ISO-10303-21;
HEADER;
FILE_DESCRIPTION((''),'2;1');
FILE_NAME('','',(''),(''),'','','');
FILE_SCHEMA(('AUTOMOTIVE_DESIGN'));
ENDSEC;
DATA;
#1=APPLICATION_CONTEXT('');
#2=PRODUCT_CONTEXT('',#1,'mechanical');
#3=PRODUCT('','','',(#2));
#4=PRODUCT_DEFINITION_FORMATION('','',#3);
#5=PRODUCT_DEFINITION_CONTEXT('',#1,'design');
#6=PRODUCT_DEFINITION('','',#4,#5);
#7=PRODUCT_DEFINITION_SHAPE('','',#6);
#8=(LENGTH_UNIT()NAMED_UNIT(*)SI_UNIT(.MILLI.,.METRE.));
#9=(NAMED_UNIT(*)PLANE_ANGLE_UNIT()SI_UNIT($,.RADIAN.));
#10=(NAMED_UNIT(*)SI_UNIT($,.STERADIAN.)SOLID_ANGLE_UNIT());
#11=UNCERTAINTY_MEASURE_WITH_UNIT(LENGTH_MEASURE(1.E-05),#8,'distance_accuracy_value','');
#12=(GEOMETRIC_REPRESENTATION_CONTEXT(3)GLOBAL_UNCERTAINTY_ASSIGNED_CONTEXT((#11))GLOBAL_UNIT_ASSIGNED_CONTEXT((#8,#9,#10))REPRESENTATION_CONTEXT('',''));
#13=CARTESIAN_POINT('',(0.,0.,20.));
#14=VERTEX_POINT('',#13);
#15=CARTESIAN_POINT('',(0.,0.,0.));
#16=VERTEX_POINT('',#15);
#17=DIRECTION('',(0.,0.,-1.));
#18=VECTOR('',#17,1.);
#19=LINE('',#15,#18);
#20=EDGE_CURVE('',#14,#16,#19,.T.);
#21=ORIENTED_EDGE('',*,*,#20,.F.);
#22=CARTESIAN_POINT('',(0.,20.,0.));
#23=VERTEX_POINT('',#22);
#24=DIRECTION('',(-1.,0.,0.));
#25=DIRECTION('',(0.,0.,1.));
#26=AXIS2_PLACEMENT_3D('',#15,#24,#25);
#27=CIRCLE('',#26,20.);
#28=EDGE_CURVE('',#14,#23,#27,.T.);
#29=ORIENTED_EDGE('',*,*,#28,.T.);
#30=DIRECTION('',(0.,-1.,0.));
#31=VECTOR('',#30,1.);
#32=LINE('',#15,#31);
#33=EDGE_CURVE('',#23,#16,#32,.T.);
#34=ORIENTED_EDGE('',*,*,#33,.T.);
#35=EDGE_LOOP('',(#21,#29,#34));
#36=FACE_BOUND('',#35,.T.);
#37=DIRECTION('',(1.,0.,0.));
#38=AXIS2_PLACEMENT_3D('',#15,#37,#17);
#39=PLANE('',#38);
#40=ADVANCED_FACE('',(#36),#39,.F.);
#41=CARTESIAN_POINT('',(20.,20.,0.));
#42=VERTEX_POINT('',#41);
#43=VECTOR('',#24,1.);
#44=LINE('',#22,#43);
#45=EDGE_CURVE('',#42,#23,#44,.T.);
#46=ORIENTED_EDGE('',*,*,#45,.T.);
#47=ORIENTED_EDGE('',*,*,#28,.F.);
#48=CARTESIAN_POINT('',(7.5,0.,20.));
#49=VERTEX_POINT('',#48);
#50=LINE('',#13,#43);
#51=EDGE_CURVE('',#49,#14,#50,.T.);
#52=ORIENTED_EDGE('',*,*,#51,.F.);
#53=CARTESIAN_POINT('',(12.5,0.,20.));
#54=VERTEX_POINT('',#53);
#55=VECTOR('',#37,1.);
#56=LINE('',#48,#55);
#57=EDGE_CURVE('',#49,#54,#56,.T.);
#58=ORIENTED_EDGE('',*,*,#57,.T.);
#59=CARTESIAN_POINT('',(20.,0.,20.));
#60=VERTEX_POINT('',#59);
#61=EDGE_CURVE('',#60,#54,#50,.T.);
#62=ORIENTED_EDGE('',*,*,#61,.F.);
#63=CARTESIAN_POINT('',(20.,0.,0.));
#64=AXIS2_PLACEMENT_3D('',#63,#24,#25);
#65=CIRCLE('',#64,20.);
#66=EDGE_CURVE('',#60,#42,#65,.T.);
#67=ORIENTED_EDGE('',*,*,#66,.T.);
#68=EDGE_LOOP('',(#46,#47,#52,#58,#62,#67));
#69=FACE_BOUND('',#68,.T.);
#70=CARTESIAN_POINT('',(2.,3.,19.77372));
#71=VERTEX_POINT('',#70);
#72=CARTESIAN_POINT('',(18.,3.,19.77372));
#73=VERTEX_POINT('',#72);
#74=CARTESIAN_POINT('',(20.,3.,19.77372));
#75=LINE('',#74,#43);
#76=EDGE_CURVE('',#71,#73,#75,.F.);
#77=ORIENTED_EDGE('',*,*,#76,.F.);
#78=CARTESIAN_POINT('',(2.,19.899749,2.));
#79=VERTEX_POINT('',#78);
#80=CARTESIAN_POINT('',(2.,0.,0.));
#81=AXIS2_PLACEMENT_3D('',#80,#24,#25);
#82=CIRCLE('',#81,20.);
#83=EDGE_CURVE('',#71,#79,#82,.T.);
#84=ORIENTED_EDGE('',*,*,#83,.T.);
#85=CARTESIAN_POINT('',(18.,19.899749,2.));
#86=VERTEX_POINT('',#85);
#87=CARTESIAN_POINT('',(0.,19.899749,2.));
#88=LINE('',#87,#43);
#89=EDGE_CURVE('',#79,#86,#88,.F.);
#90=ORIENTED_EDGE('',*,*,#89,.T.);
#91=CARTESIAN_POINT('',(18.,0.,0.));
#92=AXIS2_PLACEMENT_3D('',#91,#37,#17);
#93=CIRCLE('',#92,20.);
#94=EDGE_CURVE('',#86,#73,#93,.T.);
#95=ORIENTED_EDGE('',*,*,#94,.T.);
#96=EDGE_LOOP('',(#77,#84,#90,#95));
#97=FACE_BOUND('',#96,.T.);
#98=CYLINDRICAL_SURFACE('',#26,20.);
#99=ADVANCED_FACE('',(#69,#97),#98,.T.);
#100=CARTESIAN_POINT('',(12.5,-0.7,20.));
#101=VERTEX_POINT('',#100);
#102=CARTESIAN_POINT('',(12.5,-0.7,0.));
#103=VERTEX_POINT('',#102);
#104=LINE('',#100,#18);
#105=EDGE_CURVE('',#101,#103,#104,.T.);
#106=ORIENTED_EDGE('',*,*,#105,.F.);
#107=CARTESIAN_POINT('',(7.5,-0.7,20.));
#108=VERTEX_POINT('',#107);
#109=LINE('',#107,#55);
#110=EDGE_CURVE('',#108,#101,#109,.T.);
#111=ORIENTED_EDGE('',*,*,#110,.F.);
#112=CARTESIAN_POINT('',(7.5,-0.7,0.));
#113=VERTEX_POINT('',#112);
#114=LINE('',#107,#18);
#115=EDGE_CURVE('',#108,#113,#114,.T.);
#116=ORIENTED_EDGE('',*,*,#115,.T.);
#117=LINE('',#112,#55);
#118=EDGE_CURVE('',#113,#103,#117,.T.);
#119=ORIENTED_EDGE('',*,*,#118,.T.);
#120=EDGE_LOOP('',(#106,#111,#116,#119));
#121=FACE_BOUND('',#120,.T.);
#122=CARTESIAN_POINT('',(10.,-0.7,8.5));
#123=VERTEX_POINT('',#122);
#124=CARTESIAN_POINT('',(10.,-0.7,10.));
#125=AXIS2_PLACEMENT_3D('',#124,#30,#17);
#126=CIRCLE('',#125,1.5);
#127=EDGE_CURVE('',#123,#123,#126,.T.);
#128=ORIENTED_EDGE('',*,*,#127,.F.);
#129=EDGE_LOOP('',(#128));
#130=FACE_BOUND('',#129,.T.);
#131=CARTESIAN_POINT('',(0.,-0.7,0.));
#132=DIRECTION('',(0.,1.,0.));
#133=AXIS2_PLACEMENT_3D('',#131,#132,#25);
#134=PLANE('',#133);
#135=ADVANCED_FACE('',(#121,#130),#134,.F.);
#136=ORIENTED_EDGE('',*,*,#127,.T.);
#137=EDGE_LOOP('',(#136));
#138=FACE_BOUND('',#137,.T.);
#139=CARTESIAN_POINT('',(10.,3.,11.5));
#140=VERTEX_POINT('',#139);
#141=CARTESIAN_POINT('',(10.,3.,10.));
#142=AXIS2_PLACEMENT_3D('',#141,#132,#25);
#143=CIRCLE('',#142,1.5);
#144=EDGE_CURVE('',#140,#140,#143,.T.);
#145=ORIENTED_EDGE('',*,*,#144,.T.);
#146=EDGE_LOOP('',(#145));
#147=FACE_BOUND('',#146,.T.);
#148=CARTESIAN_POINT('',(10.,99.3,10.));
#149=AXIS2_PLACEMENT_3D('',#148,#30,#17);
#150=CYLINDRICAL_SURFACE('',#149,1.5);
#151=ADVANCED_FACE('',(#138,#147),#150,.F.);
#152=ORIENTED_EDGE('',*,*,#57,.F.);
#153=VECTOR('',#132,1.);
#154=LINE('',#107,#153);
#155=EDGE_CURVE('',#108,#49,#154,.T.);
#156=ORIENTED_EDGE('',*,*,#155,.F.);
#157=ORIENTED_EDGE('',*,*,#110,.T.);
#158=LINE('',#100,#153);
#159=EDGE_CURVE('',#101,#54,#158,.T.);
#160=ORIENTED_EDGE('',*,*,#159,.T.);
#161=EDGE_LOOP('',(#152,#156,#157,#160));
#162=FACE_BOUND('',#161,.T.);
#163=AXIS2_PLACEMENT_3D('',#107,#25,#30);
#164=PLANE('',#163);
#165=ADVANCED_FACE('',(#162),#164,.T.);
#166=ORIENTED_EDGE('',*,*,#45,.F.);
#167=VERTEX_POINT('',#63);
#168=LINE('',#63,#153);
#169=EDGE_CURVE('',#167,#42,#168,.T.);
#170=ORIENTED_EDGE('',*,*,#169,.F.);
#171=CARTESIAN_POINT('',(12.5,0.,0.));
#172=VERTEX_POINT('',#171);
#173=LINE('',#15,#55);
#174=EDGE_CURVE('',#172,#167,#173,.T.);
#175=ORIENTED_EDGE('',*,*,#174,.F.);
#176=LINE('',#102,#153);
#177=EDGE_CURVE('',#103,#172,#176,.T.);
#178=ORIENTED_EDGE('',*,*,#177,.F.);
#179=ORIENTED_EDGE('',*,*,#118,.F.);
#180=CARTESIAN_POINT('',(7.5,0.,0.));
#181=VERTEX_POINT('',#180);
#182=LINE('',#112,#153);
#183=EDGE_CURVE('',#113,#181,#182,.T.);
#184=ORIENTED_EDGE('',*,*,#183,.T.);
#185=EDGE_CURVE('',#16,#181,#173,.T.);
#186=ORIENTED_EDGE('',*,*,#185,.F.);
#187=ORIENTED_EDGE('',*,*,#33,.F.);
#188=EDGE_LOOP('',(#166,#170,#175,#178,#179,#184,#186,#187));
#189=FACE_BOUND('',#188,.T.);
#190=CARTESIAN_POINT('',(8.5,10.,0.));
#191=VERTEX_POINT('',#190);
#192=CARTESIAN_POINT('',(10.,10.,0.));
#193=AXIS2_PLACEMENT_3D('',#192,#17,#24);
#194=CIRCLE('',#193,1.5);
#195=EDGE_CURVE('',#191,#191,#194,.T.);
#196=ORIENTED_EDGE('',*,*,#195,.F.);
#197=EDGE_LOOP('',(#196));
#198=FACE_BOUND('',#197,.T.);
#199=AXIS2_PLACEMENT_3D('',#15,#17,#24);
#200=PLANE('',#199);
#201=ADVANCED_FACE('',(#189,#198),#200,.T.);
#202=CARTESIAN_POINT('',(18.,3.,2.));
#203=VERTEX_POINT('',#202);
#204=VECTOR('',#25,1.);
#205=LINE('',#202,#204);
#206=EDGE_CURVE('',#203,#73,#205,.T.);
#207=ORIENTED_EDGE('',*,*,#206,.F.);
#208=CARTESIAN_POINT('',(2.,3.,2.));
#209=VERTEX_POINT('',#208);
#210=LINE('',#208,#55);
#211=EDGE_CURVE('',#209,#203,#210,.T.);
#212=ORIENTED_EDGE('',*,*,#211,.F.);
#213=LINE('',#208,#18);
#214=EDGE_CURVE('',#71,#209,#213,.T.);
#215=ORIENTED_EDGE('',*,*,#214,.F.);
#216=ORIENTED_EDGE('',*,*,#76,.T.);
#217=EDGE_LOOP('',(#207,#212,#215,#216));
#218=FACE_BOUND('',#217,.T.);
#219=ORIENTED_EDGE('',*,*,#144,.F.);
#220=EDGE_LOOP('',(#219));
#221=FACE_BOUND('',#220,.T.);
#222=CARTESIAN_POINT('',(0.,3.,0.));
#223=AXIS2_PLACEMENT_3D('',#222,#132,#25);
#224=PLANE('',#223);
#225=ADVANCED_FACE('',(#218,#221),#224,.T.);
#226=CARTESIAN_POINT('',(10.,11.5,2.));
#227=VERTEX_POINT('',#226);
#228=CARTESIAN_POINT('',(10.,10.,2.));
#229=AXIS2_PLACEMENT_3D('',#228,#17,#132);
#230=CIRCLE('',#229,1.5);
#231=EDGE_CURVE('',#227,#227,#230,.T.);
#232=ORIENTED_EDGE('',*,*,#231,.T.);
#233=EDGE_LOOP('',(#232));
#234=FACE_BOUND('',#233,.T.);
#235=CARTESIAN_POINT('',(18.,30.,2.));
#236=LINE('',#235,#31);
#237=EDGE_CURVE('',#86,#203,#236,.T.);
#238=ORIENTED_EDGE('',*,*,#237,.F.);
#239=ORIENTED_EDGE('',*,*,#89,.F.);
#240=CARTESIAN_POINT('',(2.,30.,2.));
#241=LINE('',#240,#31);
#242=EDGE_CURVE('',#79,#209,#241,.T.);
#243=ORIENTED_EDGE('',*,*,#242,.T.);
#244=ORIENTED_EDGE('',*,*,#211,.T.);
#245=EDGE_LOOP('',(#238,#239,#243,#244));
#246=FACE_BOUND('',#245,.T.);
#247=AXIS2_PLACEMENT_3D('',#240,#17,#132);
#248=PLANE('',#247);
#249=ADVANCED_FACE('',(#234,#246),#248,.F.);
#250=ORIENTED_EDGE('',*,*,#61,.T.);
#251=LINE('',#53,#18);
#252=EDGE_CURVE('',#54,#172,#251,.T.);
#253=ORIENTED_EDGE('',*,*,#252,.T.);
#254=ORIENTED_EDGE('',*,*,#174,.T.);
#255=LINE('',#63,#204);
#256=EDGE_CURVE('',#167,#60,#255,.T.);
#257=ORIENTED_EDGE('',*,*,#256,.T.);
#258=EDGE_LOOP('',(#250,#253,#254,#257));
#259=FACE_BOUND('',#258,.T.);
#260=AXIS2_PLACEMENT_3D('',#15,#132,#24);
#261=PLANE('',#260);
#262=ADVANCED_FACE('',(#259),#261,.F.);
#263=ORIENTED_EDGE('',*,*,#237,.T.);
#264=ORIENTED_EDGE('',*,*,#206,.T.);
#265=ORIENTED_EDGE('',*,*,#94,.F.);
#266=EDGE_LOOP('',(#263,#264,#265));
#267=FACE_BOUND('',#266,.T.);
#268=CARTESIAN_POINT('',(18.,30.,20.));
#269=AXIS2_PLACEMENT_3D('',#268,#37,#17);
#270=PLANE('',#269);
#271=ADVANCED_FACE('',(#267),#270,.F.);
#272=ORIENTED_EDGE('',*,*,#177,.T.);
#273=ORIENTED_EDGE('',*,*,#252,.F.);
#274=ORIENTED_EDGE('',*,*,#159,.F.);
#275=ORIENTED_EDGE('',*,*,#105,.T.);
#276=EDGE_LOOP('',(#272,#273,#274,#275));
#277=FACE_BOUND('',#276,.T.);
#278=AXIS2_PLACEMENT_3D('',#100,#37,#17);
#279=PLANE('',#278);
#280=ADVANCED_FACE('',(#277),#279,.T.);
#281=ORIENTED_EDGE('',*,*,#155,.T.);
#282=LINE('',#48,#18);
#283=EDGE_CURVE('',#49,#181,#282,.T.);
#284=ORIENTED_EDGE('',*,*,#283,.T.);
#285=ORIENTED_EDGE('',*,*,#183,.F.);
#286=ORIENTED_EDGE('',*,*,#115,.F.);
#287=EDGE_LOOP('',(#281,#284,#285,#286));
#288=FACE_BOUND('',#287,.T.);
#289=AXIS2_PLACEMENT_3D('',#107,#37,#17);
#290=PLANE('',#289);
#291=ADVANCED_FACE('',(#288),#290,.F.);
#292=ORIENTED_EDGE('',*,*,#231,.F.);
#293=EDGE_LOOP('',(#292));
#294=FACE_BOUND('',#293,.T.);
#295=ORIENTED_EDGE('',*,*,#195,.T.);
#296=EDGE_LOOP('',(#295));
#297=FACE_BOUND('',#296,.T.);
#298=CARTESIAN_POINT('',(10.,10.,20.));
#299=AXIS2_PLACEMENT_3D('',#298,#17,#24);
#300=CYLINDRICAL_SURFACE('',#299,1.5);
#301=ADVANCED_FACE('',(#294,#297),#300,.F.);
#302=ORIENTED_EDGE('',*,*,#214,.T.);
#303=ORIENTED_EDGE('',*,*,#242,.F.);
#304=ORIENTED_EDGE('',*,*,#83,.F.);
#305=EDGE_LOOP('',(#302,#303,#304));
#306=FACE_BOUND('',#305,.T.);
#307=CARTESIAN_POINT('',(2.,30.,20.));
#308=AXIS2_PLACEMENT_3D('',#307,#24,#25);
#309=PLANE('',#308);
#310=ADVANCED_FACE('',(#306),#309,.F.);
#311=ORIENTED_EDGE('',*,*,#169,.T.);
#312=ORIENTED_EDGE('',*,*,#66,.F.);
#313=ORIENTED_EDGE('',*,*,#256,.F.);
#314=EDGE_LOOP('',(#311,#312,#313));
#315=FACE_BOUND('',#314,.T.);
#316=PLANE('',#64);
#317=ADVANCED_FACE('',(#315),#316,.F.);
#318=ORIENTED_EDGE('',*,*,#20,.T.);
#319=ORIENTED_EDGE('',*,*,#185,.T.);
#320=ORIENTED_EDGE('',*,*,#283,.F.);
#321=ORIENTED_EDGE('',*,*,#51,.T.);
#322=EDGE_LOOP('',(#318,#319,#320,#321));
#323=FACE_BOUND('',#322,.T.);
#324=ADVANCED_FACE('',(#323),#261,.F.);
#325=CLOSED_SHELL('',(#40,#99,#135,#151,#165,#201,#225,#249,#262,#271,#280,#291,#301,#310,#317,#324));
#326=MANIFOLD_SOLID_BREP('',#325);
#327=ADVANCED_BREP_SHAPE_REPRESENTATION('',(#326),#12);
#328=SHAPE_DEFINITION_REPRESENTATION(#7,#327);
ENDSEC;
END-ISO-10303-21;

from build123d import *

# Parameters (mm, degrees)
SKETCH_1_W          = 20
SKETCH_1_H          = 20
REVOLVE_1_ANGLE     = 90
SKETCH_2_W          = 16
SKETCH_2_H          = 18
CUT_EXTRUDE_1_DEPTH = 30
SKETCH_3_W          = 16
SKETCH_3_H          = 18
EXTRUDE_1_DEPTH     = 3
SKETCH_4_R          = 21
SKETCH_4_R_2        = 20
CUT_EXTRUDE_2_DEPTH = 35.641016151
SKETCH_5_R          = 1.5
CUT_EXTRUDE_3_DEPTH = 35.641016151
SKETCH_6_W          = 5
SKETCH_6_H          = 20
EXTRUDE_2_DEPTH     = 0.7
SKETCH_7_R          = 1.5
CUT_EXTRUDE_4_DEPTH = 100


with BuildPart() as part:
    # Эскиз1 → Повернуть1 (revolve)
    with BuildSketch(Plane.XY):
        with Locations((10, 10)):
            Rectangle(SKETCH_1_W, SKETCH_1_H)
    revolve(axis=Axis((0, 0, 0), (1, 0, 0)), revolution_arc=REVOLVE_1_ANGLE)

    # Эскиз2 → Вырез-Вытянуть1 (cut)
    with BuildSketch(Plane.XZ):
        with Locations((10, 11)):
            Rectangle(SKETCH_2_W, SKETCH_2_H)
    extrude(amount=-CUT_EXTRUDE_1_DEPTH, mode=Mode.SUBTRACT)

    # Эскиз3 → Бобышка-Вытянуть1 (add)
    with BuildSketch(Plane.XZ):
        with Locations((10, 11)):
            Rectangle(SKETCH_3_W, SKETCH_3_H)
    extrude(amount=-EXTRUDE_1_DEPTH)

    # Эскиз4 → Вырез-Вытянуть2 (cut, through all)
    with BuildSketch(Plane.ZY):
        Circle(SKETCH_4_R)
        Circle(SKETCH_4_R_2, mode=Mode.SUBTRACT)
    extrude(amount=-CUT_EXTRUDE_2_DEPTH, mode=Mode.SUBTRACT)

    # Эскиз5 → Вырез-Вытянуть3 (cut, through all)
    with BuildSketch(Plane(origin=(0, 0, 0), x_dir=(-1, 0, 0), z_dir=(0, 0, -1))):
        with Locations((-10, 10)):
            Circle(SKETCH_5_R)
    extrude(amount=-CUT_EXTRUDE_3_DEPTH, mode=Mode.SUBTRACT)

    # Эскиз6 → Бобышка-Вытянуть2 (add)
    with BuildSketch(Plane.XZ):
        with Locations((10, 10)):
            Rectangle(SKETCH_6_W, SKETCH_6_H)
    extrude(amount=EXTRUDE_2_DEPTH)

    # Эскиз7 → Вырез-Вытянуть4 (cut)
    with BuildSketch(Plane.XZ.offset(0.7)):
        with Locations(Location((10, 10, 0), (0, 0, 270))):
            Circle(SKETCH_7_R)
    extrude(amount=-CUT_EXTRUDE_4_DEPTH, mode=Mode.SUBTRACT)


solid = part.part
